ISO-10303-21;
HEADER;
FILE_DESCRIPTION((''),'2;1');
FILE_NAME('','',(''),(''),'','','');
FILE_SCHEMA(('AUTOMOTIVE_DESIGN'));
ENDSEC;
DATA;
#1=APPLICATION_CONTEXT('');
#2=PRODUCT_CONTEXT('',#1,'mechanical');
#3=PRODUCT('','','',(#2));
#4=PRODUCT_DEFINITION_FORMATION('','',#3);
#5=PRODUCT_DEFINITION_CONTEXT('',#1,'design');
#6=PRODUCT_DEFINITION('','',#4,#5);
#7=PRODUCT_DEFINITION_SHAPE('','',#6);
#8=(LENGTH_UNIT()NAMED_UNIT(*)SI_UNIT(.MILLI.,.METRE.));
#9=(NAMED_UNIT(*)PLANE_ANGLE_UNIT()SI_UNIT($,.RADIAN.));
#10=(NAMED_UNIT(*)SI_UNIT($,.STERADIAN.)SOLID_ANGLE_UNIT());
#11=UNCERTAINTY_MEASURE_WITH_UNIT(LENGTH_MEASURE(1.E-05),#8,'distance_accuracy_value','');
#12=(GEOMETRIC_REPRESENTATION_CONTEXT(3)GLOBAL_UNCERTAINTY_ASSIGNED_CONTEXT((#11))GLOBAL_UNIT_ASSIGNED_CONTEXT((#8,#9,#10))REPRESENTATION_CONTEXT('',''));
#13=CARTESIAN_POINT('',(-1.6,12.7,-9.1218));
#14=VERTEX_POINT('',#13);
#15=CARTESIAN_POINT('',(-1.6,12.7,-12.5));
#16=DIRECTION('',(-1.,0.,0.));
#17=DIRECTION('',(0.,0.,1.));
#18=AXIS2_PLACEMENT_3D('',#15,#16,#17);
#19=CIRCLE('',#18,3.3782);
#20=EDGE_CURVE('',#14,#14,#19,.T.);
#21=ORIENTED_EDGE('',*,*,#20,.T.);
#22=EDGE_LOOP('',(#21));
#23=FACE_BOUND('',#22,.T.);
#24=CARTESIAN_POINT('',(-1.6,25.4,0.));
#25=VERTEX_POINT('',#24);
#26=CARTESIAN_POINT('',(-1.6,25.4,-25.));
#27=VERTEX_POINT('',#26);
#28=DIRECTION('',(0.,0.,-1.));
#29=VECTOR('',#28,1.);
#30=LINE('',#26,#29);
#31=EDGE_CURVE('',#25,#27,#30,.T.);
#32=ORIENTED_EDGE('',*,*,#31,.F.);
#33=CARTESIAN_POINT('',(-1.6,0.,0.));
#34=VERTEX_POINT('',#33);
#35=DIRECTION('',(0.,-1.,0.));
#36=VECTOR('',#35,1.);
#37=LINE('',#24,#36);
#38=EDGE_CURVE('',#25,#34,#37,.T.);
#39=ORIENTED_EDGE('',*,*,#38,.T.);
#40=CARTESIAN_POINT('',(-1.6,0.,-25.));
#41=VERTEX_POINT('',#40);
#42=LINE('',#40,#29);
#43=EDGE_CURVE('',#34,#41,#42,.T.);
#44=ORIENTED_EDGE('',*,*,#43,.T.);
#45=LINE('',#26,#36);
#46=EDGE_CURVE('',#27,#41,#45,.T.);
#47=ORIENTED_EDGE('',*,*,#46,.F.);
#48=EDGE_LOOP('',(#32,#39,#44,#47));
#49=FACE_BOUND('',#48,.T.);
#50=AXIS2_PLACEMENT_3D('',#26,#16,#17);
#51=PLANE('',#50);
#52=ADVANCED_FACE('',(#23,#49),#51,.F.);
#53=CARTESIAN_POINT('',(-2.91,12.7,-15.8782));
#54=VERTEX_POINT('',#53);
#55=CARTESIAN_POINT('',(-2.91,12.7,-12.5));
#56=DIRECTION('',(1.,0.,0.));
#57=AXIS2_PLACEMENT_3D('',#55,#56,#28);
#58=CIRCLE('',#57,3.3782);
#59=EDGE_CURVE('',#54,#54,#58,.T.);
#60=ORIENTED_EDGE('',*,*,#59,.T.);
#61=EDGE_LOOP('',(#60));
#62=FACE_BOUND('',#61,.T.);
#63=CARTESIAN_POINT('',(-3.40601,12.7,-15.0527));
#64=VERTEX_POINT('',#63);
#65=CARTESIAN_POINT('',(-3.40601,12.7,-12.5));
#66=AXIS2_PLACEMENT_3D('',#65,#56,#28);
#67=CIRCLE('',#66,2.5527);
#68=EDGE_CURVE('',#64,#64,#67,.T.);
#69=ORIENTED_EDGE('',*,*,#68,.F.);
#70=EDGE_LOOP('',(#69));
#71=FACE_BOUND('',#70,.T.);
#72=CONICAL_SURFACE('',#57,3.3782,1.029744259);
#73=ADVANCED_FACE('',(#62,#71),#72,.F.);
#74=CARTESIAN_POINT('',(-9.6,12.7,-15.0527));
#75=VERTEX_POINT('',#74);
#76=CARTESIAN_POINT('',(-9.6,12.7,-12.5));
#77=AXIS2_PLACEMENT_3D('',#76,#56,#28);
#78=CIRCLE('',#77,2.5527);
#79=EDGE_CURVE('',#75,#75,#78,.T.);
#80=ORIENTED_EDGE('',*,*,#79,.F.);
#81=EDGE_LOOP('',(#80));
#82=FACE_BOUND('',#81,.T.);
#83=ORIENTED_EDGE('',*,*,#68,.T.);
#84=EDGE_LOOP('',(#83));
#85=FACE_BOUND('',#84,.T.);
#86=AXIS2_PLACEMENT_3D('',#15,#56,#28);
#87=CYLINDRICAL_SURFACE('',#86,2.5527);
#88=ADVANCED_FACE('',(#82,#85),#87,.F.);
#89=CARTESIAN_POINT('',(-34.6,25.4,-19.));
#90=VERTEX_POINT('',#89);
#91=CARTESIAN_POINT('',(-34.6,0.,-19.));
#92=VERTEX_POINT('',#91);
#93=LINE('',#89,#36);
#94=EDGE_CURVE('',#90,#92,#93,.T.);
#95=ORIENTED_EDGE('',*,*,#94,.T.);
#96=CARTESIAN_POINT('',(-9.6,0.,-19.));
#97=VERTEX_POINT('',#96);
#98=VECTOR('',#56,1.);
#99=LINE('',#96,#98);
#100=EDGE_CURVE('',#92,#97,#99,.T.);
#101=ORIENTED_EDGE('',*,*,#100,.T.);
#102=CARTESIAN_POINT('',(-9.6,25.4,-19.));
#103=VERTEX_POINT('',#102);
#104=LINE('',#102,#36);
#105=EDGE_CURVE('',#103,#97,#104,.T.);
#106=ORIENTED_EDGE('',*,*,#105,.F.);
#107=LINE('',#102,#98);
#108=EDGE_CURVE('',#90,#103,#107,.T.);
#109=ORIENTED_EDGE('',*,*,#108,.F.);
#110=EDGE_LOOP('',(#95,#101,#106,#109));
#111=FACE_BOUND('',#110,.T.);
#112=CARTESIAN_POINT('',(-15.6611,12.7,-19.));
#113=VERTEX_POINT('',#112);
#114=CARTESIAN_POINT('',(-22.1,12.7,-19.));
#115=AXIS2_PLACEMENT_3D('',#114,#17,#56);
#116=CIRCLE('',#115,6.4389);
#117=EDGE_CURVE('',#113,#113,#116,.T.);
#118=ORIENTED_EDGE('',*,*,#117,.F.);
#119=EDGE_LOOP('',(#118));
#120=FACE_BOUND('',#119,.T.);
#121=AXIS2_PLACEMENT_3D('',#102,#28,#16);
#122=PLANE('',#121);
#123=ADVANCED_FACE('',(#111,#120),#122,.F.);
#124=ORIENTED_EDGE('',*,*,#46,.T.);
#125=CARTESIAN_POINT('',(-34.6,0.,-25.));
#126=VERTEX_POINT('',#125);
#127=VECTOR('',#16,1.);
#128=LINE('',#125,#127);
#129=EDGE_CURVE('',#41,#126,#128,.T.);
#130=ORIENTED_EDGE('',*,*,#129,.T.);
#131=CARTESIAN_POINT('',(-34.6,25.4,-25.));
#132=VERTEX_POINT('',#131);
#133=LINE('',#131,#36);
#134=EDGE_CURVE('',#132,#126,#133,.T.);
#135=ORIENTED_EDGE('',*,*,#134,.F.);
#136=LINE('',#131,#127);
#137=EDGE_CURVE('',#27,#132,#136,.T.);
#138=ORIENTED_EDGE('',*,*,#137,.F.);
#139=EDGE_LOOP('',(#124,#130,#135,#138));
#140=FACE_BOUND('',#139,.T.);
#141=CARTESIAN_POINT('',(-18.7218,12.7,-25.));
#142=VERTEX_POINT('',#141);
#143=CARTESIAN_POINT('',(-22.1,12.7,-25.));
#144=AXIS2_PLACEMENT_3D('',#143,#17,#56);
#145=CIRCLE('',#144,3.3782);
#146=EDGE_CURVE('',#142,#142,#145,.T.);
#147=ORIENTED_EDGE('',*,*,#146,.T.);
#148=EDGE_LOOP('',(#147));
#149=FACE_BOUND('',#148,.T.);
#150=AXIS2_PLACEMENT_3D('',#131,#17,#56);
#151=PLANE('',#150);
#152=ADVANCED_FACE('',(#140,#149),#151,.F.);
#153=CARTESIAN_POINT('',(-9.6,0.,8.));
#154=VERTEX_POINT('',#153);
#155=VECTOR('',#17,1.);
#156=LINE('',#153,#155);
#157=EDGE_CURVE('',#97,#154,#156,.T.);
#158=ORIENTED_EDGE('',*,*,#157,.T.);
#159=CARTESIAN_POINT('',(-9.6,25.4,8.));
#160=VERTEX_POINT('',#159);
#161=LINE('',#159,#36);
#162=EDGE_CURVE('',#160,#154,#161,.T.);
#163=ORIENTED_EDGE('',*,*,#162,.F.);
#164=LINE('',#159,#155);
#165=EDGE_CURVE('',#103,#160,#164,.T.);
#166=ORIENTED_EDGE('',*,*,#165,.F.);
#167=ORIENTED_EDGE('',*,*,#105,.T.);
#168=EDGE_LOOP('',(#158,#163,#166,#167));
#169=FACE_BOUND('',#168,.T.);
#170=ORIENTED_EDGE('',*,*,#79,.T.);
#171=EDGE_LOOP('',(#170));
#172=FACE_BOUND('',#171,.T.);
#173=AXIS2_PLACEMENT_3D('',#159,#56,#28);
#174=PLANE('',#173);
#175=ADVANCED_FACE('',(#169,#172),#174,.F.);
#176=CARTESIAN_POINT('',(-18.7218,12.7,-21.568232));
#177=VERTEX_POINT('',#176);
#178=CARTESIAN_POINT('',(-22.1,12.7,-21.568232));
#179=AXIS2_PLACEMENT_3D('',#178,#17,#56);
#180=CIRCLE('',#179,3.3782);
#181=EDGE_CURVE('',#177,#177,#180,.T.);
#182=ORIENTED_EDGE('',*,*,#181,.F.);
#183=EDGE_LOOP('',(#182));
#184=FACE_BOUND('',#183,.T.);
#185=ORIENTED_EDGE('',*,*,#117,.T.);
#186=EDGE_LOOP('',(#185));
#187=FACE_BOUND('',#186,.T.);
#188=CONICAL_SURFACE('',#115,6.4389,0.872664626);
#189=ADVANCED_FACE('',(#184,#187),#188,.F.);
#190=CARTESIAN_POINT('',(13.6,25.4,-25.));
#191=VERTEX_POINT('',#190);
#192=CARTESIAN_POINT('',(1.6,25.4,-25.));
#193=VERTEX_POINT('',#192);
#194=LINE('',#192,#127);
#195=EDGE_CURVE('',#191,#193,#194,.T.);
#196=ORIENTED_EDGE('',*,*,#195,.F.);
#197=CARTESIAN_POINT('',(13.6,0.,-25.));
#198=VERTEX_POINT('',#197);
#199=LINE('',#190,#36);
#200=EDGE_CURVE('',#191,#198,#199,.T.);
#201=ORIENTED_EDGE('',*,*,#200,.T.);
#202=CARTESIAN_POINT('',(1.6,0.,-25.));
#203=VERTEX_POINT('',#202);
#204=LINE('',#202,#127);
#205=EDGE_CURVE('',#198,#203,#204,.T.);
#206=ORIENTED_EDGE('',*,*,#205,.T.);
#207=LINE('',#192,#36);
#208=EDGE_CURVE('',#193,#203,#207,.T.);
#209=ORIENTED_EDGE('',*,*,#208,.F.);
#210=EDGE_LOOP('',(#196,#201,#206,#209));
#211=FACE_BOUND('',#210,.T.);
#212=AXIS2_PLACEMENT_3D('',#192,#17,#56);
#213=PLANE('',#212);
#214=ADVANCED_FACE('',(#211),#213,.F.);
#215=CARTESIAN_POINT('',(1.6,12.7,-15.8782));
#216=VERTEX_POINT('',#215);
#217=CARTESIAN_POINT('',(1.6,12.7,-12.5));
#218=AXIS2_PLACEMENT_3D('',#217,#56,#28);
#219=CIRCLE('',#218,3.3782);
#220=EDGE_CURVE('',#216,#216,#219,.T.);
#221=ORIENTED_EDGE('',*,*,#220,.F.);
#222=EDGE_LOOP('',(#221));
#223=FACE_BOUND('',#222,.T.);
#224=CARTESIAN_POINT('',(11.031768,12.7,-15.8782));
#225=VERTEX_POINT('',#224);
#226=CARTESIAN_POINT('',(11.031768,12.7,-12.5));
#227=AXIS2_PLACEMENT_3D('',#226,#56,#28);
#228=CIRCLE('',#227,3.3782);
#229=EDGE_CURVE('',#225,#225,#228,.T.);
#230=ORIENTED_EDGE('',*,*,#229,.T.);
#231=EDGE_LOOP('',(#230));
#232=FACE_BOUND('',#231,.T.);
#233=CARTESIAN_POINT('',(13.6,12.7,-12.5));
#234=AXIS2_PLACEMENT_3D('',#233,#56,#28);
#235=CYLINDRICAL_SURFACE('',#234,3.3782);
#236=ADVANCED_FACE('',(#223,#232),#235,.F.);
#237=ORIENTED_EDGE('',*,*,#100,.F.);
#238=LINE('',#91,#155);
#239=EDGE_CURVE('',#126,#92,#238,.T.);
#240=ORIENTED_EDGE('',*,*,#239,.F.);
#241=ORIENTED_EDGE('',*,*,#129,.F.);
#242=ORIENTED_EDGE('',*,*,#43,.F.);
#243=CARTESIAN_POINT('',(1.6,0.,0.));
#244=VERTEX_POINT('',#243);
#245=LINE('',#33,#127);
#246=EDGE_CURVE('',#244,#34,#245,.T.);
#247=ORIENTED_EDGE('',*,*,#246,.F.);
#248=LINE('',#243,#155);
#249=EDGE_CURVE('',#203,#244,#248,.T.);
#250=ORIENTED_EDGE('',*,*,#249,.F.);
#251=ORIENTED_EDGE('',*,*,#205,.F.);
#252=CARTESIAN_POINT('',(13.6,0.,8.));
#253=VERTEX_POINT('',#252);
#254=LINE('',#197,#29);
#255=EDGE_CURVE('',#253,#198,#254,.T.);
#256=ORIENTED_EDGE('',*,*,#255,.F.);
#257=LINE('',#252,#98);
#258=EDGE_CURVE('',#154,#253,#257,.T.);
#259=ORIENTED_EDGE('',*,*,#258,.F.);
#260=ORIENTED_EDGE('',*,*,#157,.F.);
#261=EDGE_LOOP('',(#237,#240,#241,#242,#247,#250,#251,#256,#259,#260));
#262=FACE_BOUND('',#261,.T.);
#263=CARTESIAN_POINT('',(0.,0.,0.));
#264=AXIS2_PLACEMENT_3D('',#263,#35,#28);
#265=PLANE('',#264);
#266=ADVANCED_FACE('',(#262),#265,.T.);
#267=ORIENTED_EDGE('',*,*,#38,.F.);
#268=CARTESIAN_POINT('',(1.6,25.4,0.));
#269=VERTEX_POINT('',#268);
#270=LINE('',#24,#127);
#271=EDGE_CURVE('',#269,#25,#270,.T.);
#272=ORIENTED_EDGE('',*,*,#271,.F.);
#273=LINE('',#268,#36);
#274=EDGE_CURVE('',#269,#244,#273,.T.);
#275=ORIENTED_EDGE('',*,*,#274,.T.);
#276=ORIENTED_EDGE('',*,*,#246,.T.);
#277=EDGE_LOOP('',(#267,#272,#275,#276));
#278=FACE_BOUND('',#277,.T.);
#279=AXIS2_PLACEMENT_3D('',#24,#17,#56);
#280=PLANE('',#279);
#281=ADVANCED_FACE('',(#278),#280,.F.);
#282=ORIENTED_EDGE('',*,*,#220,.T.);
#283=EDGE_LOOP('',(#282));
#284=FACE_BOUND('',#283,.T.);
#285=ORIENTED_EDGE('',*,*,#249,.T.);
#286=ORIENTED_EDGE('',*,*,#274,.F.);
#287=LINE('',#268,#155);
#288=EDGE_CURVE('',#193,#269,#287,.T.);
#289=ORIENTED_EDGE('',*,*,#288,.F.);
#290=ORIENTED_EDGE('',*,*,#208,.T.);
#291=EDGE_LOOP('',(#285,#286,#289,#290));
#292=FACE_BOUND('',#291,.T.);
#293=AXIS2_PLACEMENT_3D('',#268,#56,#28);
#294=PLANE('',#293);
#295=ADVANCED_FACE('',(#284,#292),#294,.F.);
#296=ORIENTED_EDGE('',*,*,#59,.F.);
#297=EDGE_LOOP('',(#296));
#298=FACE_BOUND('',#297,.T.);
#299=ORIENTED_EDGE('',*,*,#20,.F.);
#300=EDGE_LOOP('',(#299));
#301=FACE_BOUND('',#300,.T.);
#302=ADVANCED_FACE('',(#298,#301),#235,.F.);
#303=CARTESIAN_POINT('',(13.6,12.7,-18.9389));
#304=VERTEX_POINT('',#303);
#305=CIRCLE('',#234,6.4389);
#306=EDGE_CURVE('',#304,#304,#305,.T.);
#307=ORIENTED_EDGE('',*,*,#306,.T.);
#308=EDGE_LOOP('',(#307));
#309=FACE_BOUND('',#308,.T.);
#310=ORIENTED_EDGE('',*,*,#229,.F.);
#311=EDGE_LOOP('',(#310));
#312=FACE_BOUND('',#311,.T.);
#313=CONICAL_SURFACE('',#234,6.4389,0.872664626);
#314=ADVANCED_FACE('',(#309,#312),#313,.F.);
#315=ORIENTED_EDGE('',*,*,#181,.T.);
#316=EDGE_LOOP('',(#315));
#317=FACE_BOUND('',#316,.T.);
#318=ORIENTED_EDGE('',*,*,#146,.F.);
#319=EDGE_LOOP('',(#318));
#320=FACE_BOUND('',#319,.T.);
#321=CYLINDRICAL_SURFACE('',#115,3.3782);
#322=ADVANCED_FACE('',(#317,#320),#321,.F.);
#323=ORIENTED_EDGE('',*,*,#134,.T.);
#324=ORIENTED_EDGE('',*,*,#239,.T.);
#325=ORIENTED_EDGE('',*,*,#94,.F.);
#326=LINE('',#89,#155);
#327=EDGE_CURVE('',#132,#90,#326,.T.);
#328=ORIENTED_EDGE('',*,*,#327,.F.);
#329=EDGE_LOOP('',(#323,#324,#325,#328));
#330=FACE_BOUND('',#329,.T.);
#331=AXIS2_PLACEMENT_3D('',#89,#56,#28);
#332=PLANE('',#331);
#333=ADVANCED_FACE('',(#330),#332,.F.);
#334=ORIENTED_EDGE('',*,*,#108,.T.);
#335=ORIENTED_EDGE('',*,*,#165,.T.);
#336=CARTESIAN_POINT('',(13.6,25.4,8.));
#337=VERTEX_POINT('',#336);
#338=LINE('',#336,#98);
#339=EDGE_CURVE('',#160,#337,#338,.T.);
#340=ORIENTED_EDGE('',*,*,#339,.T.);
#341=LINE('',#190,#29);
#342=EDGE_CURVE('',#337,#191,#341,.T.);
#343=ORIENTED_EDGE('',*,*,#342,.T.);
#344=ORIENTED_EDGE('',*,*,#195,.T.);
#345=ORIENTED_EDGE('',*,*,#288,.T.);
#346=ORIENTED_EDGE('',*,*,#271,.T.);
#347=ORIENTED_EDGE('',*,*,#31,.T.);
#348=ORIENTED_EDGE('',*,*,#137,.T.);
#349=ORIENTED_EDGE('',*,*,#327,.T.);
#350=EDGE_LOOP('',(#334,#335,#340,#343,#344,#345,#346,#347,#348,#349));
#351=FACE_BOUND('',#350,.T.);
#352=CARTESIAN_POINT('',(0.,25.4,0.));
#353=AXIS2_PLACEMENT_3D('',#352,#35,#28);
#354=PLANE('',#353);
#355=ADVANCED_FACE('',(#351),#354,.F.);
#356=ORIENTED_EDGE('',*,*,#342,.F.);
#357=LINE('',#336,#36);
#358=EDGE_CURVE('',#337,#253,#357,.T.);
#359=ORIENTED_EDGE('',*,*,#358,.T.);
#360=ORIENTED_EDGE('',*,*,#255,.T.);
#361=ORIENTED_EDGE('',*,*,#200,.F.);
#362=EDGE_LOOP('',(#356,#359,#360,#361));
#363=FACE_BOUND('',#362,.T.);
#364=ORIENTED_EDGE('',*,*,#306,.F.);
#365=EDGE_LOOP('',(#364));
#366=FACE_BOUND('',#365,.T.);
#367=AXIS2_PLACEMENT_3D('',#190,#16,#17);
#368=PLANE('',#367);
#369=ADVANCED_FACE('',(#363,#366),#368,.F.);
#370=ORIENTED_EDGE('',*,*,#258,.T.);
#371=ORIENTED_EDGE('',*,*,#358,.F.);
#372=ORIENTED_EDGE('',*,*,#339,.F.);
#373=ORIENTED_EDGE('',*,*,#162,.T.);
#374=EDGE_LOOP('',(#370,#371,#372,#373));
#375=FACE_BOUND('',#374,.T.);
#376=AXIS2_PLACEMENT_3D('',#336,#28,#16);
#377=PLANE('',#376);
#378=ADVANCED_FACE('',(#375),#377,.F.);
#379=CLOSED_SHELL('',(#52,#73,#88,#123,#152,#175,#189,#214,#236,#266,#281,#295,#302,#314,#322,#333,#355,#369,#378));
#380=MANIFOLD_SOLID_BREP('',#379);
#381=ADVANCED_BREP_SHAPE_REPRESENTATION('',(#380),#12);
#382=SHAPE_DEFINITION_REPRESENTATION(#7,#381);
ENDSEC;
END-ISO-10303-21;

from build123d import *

# Parameters (mm, degrees)
BOSS_EXTRUDE1_DEPTH                                 = 25.4
CSK_FOR_1_4_FLAT_HEAD_MACHINE_SCREW_100_D           = 6.7564
CSK_FOR_1_4_FLAT_HEAD_MACHINE_SCREW_100_DEPTH       = 16.51
CSK_FOR_1_4_FLAT_HEAD_MACHINE_SCREW_100_CSINK_D     = 12.8778
CSK_FOR_1_4_FLAT_HEAD_MACHINE_SCREW_100_CSINK_ANGLE = 100
CSK_FOR_1_4_FLAT_HEAD_MACHINE_SCREW_100_TIP         = 2.029827343
CSK_FOR_1_4_FLAT_HEAD_MACHINE_SCREW_2_D             = 6.7564
CSK_FOR_1_4_FLAT_HEAD_MACHINE_SCREW_2_DEPTH         = 16.51
CSK_FOR_1_4_FLAT_HEAD_MACHINE_SCREW_2_CSINK_D       = 12.8778
CSK_FOR_1_4_FLAT_HEAD_MACHINE_SCREW_2_CSINK_ANGLE   = 100
CSK_FOR_1_4_FLAT_HEAD_MACHINE_SCREW_2_TIP           = 2.029827343


with BuildPart() as part:
    # Sketch1 → Boss-Extrude1 (new body)
    with BuildSketch(Plane(origin=(0, 0, 0), x_dir=(1, 0, 0), z_dir=(0, 1, 0))):
        Polygon((-1.6, 0), (1.6, 0), (1.6, 25), (13.6, 25), (13.6, -8), (-9.6, -8), (-9.6, 19), (-34.6, 19), (-34.6, 25), (-1.6, 25), align=None)
    extrude(amount=BOSS_EXTRUDE1_DEPTH)

    # Sketch3 → 1/4-20 Tapped Hole1 (revolve, cut)
    with BuildSketch(Plane(origin=(-1.6, 12.7, -12.5), x_dir=(0, 0, -1), z_dir=(0, 1, 0))):
        Polygon((0, 0), (0, 18.043816902), (2.5527, 16.51), (2.5527, 0), align=None)
    revolve(axis=Axis((4.75, 12.7, -12.5), (-1, 0, 0)), mode=Mode.SUBTRACT)

    # CSK for 1_4 Flat Head Machine Screw _100
    with Locations(Plane(origin=(13.6, 0, 0), x_dir=(0, 0, -1), z_dir=(1, 0, 0))):
        with Locations((12.5, 12.7)):
            CounterSinkHole(CSK_FOR_1_4_FLAT_HEAD_MACHINE_SCREW_100_D / 2, CSK_FOR_1_4_FLAT_HEAD_MACHINE_SCREW_100_CSINK_D / 2, depth=CSK_FOR_1_4_FLAT_HEAD_MACHINE_SCREW_100_DEPTH, counter_sink_angle=CSK_FOR_1_4_FLAT_HEAD_MACHINE_SCREW_100_CSINK_ANGLE)
            with Locations((0, 0, -(CSK_FOR_1_4_FLAT_HEAD_MACHINE_SCREW_100_DEPTH + CSK_FOR_1_4_FLAT_HEAD_MACHINE_SCREW_100_TIP / 2))):  # 118° drill point
                Cone(0, CSK_FOR_1_4_FLAT_HEAD_MACHINE_SCREW_100_D / 2, CSK_FOR_1_4_FLAT_HEAD_MACHINE_SCREW_100_TIP, mode=Mode.SUBTRACT)

    # CSK for 1_4 Flat Head Machine Screw  2
    with Locations(Plane.XY.offset(-19)):
        with Locations((-22.1, 12.7)):
            CounterSinkHole(CSK_FOR_1_4_FLAT_HEAD_MACHINE_SCREW_2_D / 2, CSK_FOR_1_4_FLAT_HEAD_MACHINE_SCREW_2_CSINK_D / 2, depth=CSK_FOR_1_4_FLAT_HEAD_MACHINE_SCREW_2_DEPTH, counter_sink_angle=CSK_FOR_1_4_FLAT_HEAD_MACHINE_SCREW_2_CSINK_ANGLE)
            with Locations((0, 0, -(CSK_FOR_1_4_FLAT_HEAD_MACHINE_SCREW_2_DEPTH + CSK_FOR_1_4_FLAT_HEAD_MACHINE_SCREW_2_TIP / 2))):  # 118° drill point
                Cone(0, CSK_FOR_1_4_FLAT_HEAD_MACHINE_SCREW_2_D / 2, CSK_FOR_1_4_FLAT_HEAD_MACHINE_SCREW_2_TIP, mode=Mode.SUBTRACT)


solid = part.part
